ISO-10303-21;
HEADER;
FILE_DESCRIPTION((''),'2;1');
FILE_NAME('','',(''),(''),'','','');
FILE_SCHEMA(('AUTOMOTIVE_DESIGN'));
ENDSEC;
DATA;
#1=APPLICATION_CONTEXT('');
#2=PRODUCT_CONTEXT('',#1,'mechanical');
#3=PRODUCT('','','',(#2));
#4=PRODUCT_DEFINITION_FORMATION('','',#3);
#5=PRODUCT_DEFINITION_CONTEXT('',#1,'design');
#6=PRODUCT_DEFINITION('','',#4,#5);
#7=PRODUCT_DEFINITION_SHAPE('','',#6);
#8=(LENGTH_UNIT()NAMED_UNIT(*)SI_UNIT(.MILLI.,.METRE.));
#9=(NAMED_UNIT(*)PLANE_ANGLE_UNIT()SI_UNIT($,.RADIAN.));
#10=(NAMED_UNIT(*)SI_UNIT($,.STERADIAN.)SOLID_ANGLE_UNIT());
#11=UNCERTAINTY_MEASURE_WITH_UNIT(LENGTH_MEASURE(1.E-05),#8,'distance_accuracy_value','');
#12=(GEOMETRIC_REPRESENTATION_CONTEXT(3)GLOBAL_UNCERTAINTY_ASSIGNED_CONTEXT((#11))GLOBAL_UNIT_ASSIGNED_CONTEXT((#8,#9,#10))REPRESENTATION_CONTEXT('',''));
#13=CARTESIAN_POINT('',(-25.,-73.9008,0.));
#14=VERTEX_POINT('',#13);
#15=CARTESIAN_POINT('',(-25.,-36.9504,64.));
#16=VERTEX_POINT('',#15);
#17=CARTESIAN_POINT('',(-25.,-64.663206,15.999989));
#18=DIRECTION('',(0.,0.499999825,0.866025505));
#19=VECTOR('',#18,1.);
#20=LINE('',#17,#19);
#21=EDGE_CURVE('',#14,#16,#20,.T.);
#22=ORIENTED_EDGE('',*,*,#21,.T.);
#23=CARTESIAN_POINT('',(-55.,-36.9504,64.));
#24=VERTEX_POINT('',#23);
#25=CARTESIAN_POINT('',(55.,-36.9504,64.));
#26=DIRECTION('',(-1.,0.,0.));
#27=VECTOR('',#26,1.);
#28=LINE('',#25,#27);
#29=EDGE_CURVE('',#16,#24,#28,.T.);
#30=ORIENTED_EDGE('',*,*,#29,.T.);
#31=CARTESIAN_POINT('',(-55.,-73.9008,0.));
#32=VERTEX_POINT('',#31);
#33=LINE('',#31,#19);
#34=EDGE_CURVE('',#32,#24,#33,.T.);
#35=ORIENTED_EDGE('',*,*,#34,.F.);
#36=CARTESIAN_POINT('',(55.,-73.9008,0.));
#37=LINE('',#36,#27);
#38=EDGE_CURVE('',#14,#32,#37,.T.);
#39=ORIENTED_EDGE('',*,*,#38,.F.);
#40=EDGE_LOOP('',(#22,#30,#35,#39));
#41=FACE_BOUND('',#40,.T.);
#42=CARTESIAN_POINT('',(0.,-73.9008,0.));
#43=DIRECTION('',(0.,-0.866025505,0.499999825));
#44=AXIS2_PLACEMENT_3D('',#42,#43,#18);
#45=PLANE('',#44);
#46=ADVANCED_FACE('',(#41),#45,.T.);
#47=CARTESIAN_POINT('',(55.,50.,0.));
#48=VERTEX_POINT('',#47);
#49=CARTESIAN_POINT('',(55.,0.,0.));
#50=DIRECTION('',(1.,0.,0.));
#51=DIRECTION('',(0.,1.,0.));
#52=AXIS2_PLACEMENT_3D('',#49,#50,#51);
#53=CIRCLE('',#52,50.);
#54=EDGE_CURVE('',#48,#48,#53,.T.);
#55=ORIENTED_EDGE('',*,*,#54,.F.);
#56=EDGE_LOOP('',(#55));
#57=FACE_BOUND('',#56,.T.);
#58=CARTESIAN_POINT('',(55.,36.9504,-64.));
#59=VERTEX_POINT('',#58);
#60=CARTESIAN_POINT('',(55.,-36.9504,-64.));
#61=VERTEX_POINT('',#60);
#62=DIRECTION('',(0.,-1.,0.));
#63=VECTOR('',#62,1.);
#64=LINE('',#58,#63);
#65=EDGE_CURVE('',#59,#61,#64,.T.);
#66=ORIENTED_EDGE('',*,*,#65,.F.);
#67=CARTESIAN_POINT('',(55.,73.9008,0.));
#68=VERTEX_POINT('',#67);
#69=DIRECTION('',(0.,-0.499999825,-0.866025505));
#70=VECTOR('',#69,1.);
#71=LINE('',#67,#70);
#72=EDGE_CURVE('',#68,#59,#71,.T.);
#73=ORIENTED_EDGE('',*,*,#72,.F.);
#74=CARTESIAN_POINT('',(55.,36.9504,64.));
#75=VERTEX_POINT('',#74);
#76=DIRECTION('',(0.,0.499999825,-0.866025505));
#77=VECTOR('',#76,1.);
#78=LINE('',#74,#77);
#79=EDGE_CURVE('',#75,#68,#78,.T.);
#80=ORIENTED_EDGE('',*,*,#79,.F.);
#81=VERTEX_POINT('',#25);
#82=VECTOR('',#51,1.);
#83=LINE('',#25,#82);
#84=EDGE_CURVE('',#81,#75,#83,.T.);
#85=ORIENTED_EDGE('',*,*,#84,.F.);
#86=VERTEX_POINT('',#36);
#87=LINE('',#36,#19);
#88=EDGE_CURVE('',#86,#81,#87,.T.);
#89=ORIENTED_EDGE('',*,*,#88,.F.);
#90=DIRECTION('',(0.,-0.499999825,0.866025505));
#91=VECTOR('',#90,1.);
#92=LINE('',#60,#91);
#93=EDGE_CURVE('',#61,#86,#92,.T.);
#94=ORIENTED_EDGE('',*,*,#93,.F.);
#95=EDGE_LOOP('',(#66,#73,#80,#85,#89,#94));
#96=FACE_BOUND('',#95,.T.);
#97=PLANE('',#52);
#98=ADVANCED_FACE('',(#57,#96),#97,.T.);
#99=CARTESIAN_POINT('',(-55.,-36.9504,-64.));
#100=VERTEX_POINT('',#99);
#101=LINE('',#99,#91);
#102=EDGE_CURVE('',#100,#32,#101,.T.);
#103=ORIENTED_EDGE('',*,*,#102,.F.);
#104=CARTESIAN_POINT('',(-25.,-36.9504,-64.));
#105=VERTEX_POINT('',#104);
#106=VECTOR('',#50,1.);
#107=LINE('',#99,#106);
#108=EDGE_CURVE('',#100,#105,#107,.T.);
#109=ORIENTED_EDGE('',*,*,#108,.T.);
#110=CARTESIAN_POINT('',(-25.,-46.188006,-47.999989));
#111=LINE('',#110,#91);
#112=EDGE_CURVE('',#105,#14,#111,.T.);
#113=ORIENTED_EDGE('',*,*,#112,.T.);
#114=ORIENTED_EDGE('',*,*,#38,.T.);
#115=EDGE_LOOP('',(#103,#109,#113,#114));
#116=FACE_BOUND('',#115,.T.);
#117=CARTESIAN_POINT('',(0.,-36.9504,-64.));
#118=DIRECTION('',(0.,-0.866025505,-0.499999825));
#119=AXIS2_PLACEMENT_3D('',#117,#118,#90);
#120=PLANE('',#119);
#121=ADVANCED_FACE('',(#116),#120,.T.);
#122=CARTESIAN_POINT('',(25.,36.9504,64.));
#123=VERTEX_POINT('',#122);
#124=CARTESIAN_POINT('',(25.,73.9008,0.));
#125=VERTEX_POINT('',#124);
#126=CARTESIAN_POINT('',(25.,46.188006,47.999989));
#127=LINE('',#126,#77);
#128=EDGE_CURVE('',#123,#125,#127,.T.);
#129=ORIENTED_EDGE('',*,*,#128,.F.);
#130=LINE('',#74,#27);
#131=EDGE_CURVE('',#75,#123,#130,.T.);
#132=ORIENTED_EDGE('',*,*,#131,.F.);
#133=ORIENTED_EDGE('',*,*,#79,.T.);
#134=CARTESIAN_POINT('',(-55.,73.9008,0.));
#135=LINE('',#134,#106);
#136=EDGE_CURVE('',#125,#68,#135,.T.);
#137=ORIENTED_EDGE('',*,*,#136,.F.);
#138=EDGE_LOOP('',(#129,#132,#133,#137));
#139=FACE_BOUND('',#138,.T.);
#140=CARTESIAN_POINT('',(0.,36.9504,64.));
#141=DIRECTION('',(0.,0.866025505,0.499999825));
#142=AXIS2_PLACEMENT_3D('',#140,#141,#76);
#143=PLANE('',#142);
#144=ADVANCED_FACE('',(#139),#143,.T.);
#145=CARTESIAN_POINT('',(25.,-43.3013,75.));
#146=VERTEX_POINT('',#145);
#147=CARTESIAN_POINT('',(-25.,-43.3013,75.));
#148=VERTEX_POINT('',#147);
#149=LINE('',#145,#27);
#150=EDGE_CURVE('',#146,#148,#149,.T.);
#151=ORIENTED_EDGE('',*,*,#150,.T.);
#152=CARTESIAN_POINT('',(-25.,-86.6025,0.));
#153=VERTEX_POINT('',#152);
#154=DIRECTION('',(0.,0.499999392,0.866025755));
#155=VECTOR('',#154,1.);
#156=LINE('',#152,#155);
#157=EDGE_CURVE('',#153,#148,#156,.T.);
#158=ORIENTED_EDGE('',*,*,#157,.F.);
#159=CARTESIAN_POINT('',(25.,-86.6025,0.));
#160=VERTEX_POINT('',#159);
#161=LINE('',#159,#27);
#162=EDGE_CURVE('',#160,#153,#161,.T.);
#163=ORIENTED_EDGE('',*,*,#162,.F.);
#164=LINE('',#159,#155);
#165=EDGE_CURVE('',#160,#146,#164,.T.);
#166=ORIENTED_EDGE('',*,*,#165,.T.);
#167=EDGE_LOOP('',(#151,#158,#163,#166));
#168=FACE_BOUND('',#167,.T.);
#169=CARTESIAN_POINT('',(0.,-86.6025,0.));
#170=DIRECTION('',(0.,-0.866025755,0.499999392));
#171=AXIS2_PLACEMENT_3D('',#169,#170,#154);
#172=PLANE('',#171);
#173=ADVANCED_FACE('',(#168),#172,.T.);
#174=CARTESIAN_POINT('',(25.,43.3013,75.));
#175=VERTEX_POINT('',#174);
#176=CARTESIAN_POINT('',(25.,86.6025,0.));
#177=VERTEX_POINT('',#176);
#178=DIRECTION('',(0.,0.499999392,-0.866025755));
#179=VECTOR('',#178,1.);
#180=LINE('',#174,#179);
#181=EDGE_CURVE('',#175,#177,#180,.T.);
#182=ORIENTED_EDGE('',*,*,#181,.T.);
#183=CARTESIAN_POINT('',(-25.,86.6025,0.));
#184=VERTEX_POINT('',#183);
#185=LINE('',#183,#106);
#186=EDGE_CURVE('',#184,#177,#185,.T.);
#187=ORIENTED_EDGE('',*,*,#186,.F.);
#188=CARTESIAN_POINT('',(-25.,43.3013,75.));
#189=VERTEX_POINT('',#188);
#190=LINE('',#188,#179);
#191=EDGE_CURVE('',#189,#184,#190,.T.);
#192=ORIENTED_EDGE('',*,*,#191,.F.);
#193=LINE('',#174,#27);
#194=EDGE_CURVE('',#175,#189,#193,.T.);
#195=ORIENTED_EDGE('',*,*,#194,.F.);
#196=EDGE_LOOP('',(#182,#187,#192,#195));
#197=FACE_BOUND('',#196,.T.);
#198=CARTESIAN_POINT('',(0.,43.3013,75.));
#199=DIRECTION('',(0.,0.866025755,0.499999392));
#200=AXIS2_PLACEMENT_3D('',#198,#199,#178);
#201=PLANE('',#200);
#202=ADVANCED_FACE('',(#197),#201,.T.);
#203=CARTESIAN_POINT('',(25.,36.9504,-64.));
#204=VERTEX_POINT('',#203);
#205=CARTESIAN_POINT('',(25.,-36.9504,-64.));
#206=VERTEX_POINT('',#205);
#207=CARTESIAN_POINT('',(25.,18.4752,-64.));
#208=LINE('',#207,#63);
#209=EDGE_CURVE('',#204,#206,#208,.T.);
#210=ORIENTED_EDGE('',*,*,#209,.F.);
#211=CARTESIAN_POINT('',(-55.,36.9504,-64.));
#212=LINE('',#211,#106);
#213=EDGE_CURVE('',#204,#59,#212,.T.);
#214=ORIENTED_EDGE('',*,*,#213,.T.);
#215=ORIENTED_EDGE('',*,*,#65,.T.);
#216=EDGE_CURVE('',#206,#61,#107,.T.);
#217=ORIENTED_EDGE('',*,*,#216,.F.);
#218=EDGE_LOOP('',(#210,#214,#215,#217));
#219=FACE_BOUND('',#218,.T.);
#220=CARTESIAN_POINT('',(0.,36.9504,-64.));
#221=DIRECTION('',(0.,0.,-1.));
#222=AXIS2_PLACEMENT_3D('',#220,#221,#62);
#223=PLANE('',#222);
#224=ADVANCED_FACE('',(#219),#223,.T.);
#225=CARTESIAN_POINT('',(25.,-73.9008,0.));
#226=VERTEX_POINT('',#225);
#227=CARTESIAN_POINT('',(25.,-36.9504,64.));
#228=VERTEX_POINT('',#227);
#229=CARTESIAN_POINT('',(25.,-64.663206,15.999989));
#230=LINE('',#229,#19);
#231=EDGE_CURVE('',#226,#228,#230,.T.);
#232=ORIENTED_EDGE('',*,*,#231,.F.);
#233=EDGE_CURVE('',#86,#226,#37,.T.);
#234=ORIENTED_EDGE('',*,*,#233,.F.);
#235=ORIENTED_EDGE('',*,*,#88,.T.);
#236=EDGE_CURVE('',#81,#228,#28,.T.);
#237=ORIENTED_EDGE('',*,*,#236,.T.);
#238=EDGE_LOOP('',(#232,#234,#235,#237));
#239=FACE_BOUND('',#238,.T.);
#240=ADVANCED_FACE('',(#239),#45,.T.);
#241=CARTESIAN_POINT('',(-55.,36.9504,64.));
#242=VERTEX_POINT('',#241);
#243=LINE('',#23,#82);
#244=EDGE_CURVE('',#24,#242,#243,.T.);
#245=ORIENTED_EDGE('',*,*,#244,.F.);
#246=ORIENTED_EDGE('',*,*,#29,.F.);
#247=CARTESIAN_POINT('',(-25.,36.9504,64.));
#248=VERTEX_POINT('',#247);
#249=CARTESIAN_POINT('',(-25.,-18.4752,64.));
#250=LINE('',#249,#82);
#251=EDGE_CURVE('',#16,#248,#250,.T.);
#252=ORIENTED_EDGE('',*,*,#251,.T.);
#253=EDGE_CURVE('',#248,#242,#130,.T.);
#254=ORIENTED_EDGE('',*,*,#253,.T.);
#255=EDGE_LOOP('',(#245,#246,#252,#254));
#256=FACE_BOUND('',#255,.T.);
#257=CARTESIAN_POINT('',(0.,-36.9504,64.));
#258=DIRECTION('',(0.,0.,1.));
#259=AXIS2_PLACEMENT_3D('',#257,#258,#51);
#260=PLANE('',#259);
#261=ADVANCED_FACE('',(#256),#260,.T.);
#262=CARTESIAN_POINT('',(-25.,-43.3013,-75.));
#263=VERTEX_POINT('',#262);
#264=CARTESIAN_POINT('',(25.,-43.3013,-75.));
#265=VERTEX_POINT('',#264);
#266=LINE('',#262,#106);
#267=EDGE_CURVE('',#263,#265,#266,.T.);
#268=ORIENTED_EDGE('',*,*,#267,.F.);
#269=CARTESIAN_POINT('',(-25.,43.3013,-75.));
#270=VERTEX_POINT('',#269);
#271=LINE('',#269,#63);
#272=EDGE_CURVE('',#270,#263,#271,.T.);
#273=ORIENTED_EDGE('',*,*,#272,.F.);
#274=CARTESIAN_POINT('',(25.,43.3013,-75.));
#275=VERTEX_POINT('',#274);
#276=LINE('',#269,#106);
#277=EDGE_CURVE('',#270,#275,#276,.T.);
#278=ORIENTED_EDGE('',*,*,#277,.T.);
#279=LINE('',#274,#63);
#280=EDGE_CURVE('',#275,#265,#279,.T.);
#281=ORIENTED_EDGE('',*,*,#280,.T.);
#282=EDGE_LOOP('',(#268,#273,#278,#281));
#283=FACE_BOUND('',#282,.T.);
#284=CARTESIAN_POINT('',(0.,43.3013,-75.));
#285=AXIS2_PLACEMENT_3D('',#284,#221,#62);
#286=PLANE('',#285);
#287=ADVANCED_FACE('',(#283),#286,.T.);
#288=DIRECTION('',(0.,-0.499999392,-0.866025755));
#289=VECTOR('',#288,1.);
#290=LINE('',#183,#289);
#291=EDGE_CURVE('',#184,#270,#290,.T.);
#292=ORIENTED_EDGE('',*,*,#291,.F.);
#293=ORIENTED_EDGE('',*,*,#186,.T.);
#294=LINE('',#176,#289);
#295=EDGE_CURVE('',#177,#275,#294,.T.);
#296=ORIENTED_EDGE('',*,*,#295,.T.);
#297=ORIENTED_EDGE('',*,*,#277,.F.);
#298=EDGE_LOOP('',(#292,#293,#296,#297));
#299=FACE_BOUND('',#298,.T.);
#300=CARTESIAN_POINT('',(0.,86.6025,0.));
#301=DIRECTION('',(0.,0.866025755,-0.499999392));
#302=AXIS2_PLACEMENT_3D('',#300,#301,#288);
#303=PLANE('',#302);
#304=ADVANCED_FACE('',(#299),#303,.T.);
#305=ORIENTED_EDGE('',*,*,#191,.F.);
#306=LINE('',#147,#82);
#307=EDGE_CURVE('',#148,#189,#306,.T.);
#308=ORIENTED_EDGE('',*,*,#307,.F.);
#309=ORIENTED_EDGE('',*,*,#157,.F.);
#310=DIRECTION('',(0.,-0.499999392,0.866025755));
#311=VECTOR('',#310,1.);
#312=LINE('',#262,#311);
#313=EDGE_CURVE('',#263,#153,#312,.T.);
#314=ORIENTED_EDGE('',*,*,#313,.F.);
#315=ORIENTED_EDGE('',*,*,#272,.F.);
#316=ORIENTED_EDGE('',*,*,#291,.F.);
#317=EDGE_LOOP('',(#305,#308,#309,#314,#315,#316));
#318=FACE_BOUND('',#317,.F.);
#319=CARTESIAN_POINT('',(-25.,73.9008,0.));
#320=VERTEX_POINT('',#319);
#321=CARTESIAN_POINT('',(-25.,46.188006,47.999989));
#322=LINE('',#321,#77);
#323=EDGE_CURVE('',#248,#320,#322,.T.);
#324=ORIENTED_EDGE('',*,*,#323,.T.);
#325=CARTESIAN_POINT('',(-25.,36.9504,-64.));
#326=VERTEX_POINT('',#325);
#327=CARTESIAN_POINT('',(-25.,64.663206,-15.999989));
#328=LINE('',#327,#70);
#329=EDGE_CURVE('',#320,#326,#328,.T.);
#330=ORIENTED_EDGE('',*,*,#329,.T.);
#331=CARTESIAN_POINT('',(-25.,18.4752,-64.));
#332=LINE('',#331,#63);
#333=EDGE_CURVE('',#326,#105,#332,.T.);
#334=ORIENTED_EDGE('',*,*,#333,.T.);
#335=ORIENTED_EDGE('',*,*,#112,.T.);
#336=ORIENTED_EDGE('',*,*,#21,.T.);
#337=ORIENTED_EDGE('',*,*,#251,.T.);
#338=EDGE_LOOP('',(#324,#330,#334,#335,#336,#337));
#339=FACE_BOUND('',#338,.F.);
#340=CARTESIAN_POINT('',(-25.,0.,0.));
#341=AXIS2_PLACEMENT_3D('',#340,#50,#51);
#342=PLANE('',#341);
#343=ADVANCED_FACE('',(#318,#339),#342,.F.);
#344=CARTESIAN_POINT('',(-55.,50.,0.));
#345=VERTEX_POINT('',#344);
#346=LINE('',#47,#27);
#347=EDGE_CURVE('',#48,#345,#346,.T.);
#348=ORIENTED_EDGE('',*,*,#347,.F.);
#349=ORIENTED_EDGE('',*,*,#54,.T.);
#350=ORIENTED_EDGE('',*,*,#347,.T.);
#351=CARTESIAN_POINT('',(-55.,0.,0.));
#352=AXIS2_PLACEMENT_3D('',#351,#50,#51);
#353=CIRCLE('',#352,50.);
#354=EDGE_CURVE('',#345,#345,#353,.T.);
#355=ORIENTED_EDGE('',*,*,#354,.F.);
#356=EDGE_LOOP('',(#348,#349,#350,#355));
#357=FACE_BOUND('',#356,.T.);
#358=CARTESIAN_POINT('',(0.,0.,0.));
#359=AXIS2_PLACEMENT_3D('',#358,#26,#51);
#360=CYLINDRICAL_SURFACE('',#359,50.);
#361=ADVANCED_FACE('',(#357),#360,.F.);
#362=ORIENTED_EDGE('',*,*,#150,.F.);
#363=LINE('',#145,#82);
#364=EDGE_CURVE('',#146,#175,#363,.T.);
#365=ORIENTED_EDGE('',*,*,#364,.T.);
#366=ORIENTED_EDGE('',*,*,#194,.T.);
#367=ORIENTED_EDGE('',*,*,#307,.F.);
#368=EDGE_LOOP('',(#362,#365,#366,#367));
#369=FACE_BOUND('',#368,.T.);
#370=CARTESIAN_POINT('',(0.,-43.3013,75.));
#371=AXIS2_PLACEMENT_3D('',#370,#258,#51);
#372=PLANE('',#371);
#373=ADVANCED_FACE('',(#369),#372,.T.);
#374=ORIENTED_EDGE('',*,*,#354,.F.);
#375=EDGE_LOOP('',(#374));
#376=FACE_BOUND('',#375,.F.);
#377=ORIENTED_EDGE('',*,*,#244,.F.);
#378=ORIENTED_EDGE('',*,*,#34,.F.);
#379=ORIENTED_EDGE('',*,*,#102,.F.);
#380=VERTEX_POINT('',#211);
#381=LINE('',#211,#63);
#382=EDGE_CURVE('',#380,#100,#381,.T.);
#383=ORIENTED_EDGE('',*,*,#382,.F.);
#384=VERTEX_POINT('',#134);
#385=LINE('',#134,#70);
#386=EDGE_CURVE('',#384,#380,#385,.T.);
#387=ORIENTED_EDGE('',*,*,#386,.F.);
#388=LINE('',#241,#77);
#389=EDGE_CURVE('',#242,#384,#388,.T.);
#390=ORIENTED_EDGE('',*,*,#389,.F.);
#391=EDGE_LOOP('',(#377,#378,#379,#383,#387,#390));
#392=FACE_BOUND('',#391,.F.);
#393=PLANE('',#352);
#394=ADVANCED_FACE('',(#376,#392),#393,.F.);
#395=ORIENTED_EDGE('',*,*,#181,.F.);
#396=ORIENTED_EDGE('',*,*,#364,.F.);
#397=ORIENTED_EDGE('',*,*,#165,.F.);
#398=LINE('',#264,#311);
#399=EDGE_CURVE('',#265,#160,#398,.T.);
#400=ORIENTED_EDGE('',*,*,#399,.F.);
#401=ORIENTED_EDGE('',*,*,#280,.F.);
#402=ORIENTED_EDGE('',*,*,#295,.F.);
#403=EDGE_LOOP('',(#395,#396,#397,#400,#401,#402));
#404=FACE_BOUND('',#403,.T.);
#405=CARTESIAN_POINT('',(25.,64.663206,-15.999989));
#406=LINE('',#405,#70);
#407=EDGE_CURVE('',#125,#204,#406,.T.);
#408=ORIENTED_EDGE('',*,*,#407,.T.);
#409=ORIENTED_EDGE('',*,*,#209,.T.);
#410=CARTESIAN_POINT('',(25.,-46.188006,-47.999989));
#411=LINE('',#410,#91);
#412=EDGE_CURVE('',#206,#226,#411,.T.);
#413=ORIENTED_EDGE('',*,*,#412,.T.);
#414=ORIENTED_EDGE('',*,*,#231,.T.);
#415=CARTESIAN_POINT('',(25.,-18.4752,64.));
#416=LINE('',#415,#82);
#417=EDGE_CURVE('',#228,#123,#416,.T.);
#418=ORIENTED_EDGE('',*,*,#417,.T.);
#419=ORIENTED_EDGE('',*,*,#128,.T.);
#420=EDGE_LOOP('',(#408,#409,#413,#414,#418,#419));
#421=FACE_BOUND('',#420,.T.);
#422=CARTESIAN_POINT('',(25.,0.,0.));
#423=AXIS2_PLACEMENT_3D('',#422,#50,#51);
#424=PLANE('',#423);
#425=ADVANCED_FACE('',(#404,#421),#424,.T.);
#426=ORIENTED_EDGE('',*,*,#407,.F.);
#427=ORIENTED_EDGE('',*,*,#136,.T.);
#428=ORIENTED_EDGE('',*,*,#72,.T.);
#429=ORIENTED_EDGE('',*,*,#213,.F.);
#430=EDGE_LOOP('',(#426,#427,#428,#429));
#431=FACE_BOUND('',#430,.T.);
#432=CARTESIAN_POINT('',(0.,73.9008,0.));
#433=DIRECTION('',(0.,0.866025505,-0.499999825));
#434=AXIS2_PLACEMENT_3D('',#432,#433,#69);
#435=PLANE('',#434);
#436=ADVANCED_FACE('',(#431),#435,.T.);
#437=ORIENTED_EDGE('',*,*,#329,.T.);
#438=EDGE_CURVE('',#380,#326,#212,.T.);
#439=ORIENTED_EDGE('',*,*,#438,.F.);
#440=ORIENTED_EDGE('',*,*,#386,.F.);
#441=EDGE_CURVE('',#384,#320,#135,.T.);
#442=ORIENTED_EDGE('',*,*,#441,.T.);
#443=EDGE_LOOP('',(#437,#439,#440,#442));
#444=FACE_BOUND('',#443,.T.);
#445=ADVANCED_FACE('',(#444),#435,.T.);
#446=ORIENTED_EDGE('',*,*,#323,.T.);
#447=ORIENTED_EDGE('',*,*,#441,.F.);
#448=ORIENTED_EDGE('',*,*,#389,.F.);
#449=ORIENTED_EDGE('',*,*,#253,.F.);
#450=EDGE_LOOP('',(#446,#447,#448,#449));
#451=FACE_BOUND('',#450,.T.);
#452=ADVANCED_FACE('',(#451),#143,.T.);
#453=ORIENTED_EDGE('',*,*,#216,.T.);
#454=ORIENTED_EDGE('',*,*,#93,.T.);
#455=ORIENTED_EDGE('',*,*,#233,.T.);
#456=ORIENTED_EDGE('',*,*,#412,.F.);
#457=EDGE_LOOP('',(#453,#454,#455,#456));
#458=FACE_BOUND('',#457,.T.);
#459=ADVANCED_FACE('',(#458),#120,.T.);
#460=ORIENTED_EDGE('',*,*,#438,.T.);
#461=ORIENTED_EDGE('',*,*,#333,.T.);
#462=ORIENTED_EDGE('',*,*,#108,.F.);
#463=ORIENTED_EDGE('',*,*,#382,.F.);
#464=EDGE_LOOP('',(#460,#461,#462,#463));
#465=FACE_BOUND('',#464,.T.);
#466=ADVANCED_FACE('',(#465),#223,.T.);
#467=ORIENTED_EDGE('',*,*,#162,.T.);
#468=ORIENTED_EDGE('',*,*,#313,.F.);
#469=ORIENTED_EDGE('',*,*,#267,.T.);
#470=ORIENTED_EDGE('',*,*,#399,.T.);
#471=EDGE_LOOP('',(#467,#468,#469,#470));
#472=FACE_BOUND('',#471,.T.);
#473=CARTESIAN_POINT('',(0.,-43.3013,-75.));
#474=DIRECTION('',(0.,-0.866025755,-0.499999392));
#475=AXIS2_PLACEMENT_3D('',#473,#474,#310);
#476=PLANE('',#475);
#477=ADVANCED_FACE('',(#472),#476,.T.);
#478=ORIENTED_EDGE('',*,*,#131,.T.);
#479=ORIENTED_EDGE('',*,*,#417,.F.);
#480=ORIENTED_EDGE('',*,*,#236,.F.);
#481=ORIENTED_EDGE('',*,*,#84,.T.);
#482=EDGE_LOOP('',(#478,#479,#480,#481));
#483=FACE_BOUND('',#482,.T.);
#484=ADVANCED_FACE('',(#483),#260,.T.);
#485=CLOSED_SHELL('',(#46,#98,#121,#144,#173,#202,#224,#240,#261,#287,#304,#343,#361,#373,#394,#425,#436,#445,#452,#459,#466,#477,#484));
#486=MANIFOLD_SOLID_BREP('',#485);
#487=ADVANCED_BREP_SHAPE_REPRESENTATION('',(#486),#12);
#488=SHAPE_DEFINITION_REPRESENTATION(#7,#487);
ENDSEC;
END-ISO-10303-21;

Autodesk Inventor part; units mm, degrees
ref_plane "YZ Plane" through (0, 0, 0) normal (1, 0, 0) x (0, 1, 0)
ref_plane "XZ Plane" through (0, 0, 0) normal (0, 1, 0) x (-1, 0, 0)
ref_plane "XY Plane" through (0, 0, 0) normal (0, 0, 1) x (1, 0, 0)
sketch "Sketch1" plane through (0, 0, 0) normal (1, 0, 0) x (0, 1, 0)
  circle A0 centre (0, 0) radius 50
  line L0 (-36.9504, -64) -> (-73.9008, 0)
  line L1 (-73.9008, 0) -> (-36.9504, 64)
  line L2 (-36.9504, 64) -> (36.9504, 64)
  line L3 (36.9504, 64) -> (73.9008, 0)
  line L4 (73.9008, 0) -> (36.9504, -64)
  line L5 (36.9504, -64) -> (-36.9504, -64)
  dimension "d0" = 100
  dimension "d1" = 64
extrude "Extrusion1" add sketch "Sketch1" along normal mid plane 110
sketch "Sketch3" plane through (0, 0, 0) normal (1, 0, 0) x (0, 1, 0)
  line L0 (-43.3013, -75) -> (-86.6025, 0)
  line L1 (-86.6025, 0) -> (-43.3013, 75)
  line L2 (-43.3013, 75) -> (43.3013, 75)
  line L3 (43.3013, 75) -> (86.6025, 0)
  line L4 (86.6025, 0) -> (43.3013, -75)
  line L5 (43.3013, -75) -> (-43.3013, -75)
  circle A0 centre (0, 0) radius 50 projected
  dimension "d4" = 75
extrude "Extrusion2" add sketch "Sketch3" along normal mid plane 50
thread "Thread1" size "M100x6" class "6H" standard "ANSI Metric M Profile" full length
properties part number "uniao assento conico 4 inch"
